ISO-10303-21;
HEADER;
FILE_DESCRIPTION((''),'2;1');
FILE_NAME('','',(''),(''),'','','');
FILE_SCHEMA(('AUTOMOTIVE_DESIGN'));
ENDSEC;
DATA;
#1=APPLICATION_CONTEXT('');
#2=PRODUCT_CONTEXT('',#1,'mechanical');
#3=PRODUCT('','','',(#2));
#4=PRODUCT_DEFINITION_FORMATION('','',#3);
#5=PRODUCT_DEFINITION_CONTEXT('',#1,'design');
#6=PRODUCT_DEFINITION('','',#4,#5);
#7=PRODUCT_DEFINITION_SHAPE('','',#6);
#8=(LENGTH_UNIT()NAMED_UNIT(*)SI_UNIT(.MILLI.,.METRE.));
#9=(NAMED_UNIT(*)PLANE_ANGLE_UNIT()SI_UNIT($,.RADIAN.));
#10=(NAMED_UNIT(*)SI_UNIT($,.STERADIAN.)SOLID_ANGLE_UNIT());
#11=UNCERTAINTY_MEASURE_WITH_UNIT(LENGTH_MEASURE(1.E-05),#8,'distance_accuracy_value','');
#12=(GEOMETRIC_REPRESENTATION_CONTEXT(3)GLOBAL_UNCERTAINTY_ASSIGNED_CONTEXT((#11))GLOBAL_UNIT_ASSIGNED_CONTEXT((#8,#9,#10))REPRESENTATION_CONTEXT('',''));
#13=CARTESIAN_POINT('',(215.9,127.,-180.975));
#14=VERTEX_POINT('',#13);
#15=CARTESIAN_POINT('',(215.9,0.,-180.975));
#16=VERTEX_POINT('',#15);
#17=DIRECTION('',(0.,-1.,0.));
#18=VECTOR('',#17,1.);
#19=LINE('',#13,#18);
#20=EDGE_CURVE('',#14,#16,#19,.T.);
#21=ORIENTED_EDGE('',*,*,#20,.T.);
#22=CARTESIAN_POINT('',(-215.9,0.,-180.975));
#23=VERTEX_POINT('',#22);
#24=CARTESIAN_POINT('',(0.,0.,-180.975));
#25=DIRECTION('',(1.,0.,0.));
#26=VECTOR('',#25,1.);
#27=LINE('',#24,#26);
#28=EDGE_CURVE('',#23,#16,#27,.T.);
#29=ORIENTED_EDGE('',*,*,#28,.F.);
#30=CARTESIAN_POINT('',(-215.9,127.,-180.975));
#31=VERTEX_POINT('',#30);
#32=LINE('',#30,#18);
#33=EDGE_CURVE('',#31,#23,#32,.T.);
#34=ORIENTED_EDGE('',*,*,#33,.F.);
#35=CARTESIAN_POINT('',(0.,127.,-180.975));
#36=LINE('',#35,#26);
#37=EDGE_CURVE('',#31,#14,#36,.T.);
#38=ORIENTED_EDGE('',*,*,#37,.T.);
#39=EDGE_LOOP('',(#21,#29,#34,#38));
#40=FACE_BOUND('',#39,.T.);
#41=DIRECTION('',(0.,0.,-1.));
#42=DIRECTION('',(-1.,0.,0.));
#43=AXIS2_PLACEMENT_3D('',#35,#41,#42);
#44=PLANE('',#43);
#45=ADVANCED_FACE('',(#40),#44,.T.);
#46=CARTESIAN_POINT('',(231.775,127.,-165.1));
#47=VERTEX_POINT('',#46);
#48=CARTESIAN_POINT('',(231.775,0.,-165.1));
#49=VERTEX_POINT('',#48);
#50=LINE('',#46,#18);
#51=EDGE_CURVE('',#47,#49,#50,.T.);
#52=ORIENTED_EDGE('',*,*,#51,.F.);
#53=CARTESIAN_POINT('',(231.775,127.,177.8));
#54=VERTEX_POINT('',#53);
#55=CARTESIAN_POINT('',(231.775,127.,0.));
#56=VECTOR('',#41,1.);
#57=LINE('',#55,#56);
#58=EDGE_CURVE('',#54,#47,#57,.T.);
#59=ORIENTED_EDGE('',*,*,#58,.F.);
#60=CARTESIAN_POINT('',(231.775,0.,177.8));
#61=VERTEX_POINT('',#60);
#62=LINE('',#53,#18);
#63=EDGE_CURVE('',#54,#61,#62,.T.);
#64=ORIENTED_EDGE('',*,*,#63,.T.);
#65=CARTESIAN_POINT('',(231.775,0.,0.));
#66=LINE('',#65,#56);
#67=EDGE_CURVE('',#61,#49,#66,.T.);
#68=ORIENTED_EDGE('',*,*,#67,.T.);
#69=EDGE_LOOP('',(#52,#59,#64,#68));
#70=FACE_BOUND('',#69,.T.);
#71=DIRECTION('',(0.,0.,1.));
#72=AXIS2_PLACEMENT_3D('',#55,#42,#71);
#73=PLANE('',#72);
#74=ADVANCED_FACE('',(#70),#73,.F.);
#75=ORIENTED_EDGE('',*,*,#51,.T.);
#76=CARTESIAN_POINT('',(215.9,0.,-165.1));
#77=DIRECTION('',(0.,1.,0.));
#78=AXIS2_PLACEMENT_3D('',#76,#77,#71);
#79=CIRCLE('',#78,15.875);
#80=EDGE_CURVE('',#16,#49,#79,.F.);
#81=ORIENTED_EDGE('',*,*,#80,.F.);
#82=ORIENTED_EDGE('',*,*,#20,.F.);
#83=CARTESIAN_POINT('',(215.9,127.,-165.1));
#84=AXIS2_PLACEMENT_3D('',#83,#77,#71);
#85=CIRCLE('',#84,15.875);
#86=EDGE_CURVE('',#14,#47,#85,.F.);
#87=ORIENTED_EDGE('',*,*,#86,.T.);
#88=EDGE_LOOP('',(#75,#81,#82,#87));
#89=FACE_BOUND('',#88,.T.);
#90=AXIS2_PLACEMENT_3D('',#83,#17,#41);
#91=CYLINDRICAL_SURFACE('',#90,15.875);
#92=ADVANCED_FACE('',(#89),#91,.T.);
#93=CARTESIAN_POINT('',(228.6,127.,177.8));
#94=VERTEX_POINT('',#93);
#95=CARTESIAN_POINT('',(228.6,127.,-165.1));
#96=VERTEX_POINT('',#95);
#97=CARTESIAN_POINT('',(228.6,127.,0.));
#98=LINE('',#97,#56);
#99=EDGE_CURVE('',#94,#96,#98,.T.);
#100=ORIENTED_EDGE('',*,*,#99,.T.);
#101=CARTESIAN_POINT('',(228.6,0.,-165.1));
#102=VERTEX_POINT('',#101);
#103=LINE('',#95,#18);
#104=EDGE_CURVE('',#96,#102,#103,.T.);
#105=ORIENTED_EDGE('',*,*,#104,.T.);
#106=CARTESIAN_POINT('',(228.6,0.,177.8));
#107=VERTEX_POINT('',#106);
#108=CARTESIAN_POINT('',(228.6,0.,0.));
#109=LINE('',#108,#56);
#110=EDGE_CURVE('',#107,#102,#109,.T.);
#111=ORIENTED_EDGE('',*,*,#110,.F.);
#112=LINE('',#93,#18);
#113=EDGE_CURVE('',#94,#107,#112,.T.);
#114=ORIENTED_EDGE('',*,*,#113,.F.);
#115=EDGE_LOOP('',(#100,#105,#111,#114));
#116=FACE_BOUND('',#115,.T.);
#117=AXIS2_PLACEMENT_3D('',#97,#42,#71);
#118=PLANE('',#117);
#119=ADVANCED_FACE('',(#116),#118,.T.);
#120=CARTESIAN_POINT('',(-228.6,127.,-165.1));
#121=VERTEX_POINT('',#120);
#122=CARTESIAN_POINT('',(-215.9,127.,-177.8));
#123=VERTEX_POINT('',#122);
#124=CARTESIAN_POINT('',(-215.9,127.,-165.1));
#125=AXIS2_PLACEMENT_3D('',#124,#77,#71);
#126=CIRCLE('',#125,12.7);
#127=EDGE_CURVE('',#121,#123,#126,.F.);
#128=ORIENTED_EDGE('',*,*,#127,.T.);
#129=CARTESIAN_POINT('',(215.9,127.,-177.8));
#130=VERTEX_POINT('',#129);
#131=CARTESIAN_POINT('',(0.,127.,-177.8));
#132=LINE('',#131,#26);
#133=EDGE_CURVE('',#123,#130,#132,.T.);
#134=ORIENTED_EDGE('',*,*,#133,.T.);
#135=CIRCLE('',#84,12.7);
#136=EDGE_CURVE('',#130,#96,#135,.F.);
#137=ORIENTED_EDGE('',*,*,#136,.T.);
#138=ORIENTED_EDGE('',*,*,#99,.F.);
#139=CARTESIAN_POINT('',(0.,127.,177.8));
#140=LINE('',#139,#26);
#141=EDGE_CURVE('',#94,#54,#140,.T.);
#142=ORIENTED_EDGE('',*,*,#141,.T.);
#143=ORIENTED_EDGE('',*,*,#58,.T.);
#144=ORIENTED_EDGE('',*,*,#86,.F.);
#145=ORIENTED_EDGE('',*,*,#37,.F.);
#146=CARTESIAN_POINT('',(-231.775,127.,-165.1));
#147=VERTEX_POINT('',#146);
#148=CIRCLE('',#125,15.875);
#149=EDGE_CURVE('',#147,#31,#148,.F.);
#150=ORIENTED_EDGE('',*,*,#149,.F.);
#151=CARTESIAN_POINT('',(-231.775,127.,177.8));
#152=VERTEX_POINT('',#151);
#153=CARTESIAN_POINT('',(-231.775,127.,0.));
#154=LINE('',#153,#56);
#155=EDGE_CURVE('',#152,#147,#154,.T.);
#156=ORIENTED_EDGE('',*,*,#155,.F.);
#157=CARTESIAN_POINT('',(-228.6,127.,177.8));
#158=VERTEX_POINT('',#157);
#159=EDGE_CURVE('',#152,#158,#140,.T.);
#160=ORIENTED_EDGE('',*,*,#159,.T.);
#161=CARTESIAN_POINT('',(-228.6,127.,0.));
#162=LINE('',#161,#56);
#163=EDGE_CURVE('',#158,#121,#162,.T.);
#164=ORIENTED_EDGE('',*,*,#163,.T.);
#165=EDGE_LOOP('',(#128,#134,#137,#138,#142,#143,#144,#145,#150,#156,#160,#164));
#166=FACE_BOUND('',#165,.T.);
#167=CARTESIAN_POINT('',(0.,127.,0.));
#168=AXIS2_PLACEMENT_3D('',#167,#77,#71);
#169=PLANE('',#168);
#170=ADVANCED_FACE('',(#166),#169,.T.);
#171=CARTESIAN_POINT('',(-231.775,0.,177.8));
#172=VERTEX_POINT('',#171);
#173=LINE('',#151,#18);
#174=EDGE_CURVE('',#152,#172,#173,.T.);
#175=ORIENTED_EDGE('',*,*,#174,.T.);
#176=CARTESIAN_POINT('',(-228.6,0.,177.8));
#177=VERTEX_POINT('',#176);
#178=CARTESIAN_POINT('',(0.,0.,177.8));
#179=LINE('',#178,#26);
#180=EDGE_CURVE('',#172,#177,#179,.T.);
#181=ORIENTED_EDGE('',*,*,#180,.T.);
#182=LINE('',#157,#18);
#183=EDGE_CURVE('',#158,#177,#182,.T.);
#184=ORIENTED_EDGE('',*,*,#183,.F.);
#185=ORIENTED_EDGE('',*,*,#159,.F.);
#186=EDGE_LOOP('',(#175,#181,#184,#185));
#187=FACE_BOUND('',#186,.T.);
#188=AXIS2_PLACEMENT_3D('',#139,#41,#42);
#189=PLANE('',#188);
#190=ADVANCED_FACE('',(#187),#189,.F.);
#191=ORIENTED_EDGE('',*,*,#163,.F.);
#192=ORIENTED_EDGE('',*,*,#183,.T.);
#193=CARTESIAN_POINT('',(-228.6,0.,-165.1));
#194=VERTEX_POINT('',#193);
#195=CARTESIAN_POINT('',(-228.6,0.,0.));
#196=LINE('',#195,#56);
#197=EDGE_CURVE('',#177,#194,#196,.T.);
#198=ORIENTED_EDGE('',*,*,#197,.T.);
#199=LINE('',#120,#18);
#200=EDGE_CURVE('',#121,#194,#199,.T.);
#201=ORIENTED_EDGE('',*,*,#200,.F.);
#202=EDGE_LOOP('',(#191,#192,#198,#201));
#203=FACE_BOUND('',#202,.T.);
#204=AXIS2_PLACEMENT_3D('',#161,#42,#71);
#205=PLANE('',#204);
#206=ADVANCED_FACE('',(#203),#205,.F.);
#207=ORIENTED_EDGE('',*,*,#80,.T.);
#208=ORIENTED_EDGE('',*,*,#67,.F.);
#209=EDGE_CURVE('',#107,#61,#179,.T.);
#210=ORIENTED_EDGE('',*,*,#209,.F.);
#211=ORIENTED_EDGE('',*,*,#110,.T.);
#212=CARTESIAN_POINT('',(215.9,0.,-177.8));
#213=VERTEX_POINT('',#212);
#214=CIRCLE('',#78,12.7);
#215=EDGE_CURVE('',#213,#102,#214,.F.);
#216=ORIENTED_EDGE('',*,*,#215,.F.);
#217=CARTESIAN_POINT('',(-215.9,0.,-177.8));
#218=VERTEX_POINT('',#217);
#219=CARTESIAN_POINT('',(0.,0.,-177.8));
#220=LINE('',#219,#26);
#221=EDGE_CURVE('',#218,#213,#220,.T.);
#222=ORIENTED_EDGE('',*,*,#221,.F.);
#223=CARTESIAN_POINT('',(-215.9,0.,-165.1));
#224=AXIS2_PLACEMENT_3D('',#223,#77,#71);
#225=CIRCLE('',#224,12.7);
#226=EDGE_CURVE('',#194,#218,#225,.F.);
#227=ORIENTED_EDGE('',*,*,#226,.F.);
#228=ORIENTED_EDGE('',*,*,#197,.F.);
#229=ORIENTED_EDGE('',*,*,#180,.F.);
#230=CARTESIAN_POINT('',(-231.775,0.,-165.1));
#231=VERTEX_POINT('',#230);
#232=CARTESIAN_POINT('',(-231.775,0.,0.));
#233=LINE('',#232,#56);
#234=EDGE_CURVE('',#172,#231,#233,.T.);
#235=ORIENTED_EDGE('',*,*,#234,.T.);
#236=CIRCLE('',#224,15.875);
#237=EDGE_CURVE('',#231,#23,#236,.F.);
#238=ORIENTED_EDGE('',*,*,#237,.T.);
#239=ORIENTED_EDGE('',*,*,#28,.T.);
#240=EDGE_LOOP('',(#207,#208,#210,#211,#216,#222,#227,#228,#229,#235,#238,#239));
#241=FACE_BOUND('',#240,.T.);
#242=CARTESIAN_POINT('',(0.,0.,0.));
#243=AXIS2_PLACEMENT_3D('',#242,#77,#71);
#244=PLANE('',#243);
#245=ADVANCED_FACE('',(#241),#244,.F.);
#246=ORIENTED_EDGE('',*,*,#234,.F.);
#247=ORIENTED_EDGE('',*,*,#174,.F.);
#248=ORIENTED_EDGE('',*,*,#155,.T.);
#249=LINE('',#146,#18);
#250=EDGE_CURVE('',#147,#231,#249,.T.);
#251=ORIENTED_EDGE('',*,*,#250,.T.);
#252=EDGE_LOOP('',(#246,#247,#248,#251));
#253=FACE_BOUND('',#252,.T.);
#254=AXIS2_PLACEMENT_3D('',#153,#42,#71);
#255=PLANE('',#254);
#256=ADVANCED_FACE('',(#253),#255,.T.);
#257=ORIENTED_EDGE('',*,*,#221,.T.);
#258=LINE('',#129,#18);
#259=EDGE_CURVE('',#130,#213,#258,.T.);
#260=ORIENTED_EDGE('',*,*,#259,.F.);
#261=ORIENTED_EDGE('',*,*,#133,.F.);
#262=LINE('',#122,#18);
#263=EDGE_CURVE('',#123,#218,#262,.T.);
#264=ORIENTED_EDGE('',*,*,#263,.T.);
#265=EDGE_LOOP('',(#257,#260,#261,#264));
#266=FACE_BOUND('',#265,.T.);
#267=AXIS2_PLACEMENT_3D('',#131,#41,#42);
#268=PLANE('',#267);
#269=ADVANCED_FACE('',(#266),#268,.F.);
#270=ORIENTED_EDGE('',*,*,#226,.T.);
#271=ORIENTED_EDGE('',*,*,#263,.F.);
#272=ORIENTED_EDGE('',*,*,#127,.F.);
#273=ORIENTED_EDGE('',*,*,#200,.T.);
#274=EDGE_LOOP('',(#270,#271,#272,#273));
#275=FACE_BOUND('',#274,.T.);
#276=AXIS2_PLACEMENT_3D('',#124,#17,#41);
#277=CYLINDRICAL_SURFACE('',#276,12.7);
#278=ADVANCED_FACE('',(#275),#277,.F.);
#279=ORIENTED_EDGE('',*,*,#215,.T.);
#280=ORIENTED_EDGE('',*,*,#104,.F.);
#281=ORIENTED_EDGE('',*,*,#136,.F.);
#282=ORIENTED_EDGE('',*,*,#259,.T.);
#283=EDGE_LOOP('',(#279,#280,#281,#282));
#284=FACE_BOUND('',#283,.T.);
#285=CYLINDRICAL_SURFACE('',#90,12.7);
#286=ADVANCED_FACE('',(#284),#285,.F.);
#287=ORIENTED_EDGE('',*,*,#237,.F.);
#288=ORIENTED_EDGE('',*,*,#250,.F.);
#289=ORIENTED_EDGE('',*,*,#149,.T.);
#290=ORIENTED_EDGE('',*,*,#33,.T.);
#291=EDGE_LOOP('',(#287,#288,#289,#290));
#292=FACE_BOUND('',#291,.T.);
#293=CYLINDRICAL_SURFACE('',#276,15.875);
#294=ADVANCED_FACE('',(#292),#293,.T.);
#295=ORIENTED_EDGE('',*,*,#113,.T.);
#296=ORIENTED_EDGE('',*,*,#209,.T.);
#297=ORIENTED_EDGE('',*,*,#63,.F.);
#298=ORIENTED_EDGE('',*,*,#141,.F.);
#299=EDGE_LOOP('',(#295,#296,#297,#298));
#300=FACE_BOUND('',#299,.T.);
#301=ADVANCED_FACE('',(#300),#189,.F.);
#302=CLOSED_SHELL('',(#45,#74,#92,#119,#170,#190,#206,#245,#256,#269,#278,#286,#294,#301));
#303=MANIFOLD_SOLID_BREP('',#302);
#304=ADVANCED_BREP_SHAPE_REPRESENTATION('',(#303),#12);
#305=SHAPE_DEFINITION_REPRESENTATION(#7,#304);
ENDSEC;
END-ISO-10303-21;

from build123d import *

# Parameters (mm, degrees)
BOSS_EXTRUDE1_DEPTH = 127


with BuildPart() as part:
    # Sketch1 → Boss-Extrude1 (new body)
    with BuildSketch(Plane(origin=(0, 0, 0), x_dir=(1, 0, 0), z_dir=(0, 1, 0))):
        with BuildLine():
            Line((-231.775, 165.1), (-231.775, -177.8))
            Line((-231.775, -177.8), (-228.6, -177.8))
            Line((-228.6, -177.8), (-228.6, 165.1))
            ThreePointArc((-228.6, 165.1), (-224.880256121, 174.080256121), (-215.9, 177.8))
            Line((-215.9, 177.8), (215.9, 177.8))
            ThreePointArc((215.9, 177.8), (224.880256121, 174.080256121), (228.6, 165.1))
            Line((228.6, 165.1), (228.6, -177.8))
            Line((228.6, -177.8), (231.775, -177.8))
            Line((231.775, -177.8), (231.775, 165.1))
            ThreePointArc((231.775, 165.1), (227.125320151, 176.325320151), (215.9, 180.975))
            Line((215.9, 180.975), (-215.9, 180.975))
            ThreePointArc((-215.9, 180.975), (-227.125320151, 176.325320151), (-231.775, 165.1))
        make_face()
    extrude(amount=BOSS_EXTRUDE1_DEPTH)


solid = part.part
